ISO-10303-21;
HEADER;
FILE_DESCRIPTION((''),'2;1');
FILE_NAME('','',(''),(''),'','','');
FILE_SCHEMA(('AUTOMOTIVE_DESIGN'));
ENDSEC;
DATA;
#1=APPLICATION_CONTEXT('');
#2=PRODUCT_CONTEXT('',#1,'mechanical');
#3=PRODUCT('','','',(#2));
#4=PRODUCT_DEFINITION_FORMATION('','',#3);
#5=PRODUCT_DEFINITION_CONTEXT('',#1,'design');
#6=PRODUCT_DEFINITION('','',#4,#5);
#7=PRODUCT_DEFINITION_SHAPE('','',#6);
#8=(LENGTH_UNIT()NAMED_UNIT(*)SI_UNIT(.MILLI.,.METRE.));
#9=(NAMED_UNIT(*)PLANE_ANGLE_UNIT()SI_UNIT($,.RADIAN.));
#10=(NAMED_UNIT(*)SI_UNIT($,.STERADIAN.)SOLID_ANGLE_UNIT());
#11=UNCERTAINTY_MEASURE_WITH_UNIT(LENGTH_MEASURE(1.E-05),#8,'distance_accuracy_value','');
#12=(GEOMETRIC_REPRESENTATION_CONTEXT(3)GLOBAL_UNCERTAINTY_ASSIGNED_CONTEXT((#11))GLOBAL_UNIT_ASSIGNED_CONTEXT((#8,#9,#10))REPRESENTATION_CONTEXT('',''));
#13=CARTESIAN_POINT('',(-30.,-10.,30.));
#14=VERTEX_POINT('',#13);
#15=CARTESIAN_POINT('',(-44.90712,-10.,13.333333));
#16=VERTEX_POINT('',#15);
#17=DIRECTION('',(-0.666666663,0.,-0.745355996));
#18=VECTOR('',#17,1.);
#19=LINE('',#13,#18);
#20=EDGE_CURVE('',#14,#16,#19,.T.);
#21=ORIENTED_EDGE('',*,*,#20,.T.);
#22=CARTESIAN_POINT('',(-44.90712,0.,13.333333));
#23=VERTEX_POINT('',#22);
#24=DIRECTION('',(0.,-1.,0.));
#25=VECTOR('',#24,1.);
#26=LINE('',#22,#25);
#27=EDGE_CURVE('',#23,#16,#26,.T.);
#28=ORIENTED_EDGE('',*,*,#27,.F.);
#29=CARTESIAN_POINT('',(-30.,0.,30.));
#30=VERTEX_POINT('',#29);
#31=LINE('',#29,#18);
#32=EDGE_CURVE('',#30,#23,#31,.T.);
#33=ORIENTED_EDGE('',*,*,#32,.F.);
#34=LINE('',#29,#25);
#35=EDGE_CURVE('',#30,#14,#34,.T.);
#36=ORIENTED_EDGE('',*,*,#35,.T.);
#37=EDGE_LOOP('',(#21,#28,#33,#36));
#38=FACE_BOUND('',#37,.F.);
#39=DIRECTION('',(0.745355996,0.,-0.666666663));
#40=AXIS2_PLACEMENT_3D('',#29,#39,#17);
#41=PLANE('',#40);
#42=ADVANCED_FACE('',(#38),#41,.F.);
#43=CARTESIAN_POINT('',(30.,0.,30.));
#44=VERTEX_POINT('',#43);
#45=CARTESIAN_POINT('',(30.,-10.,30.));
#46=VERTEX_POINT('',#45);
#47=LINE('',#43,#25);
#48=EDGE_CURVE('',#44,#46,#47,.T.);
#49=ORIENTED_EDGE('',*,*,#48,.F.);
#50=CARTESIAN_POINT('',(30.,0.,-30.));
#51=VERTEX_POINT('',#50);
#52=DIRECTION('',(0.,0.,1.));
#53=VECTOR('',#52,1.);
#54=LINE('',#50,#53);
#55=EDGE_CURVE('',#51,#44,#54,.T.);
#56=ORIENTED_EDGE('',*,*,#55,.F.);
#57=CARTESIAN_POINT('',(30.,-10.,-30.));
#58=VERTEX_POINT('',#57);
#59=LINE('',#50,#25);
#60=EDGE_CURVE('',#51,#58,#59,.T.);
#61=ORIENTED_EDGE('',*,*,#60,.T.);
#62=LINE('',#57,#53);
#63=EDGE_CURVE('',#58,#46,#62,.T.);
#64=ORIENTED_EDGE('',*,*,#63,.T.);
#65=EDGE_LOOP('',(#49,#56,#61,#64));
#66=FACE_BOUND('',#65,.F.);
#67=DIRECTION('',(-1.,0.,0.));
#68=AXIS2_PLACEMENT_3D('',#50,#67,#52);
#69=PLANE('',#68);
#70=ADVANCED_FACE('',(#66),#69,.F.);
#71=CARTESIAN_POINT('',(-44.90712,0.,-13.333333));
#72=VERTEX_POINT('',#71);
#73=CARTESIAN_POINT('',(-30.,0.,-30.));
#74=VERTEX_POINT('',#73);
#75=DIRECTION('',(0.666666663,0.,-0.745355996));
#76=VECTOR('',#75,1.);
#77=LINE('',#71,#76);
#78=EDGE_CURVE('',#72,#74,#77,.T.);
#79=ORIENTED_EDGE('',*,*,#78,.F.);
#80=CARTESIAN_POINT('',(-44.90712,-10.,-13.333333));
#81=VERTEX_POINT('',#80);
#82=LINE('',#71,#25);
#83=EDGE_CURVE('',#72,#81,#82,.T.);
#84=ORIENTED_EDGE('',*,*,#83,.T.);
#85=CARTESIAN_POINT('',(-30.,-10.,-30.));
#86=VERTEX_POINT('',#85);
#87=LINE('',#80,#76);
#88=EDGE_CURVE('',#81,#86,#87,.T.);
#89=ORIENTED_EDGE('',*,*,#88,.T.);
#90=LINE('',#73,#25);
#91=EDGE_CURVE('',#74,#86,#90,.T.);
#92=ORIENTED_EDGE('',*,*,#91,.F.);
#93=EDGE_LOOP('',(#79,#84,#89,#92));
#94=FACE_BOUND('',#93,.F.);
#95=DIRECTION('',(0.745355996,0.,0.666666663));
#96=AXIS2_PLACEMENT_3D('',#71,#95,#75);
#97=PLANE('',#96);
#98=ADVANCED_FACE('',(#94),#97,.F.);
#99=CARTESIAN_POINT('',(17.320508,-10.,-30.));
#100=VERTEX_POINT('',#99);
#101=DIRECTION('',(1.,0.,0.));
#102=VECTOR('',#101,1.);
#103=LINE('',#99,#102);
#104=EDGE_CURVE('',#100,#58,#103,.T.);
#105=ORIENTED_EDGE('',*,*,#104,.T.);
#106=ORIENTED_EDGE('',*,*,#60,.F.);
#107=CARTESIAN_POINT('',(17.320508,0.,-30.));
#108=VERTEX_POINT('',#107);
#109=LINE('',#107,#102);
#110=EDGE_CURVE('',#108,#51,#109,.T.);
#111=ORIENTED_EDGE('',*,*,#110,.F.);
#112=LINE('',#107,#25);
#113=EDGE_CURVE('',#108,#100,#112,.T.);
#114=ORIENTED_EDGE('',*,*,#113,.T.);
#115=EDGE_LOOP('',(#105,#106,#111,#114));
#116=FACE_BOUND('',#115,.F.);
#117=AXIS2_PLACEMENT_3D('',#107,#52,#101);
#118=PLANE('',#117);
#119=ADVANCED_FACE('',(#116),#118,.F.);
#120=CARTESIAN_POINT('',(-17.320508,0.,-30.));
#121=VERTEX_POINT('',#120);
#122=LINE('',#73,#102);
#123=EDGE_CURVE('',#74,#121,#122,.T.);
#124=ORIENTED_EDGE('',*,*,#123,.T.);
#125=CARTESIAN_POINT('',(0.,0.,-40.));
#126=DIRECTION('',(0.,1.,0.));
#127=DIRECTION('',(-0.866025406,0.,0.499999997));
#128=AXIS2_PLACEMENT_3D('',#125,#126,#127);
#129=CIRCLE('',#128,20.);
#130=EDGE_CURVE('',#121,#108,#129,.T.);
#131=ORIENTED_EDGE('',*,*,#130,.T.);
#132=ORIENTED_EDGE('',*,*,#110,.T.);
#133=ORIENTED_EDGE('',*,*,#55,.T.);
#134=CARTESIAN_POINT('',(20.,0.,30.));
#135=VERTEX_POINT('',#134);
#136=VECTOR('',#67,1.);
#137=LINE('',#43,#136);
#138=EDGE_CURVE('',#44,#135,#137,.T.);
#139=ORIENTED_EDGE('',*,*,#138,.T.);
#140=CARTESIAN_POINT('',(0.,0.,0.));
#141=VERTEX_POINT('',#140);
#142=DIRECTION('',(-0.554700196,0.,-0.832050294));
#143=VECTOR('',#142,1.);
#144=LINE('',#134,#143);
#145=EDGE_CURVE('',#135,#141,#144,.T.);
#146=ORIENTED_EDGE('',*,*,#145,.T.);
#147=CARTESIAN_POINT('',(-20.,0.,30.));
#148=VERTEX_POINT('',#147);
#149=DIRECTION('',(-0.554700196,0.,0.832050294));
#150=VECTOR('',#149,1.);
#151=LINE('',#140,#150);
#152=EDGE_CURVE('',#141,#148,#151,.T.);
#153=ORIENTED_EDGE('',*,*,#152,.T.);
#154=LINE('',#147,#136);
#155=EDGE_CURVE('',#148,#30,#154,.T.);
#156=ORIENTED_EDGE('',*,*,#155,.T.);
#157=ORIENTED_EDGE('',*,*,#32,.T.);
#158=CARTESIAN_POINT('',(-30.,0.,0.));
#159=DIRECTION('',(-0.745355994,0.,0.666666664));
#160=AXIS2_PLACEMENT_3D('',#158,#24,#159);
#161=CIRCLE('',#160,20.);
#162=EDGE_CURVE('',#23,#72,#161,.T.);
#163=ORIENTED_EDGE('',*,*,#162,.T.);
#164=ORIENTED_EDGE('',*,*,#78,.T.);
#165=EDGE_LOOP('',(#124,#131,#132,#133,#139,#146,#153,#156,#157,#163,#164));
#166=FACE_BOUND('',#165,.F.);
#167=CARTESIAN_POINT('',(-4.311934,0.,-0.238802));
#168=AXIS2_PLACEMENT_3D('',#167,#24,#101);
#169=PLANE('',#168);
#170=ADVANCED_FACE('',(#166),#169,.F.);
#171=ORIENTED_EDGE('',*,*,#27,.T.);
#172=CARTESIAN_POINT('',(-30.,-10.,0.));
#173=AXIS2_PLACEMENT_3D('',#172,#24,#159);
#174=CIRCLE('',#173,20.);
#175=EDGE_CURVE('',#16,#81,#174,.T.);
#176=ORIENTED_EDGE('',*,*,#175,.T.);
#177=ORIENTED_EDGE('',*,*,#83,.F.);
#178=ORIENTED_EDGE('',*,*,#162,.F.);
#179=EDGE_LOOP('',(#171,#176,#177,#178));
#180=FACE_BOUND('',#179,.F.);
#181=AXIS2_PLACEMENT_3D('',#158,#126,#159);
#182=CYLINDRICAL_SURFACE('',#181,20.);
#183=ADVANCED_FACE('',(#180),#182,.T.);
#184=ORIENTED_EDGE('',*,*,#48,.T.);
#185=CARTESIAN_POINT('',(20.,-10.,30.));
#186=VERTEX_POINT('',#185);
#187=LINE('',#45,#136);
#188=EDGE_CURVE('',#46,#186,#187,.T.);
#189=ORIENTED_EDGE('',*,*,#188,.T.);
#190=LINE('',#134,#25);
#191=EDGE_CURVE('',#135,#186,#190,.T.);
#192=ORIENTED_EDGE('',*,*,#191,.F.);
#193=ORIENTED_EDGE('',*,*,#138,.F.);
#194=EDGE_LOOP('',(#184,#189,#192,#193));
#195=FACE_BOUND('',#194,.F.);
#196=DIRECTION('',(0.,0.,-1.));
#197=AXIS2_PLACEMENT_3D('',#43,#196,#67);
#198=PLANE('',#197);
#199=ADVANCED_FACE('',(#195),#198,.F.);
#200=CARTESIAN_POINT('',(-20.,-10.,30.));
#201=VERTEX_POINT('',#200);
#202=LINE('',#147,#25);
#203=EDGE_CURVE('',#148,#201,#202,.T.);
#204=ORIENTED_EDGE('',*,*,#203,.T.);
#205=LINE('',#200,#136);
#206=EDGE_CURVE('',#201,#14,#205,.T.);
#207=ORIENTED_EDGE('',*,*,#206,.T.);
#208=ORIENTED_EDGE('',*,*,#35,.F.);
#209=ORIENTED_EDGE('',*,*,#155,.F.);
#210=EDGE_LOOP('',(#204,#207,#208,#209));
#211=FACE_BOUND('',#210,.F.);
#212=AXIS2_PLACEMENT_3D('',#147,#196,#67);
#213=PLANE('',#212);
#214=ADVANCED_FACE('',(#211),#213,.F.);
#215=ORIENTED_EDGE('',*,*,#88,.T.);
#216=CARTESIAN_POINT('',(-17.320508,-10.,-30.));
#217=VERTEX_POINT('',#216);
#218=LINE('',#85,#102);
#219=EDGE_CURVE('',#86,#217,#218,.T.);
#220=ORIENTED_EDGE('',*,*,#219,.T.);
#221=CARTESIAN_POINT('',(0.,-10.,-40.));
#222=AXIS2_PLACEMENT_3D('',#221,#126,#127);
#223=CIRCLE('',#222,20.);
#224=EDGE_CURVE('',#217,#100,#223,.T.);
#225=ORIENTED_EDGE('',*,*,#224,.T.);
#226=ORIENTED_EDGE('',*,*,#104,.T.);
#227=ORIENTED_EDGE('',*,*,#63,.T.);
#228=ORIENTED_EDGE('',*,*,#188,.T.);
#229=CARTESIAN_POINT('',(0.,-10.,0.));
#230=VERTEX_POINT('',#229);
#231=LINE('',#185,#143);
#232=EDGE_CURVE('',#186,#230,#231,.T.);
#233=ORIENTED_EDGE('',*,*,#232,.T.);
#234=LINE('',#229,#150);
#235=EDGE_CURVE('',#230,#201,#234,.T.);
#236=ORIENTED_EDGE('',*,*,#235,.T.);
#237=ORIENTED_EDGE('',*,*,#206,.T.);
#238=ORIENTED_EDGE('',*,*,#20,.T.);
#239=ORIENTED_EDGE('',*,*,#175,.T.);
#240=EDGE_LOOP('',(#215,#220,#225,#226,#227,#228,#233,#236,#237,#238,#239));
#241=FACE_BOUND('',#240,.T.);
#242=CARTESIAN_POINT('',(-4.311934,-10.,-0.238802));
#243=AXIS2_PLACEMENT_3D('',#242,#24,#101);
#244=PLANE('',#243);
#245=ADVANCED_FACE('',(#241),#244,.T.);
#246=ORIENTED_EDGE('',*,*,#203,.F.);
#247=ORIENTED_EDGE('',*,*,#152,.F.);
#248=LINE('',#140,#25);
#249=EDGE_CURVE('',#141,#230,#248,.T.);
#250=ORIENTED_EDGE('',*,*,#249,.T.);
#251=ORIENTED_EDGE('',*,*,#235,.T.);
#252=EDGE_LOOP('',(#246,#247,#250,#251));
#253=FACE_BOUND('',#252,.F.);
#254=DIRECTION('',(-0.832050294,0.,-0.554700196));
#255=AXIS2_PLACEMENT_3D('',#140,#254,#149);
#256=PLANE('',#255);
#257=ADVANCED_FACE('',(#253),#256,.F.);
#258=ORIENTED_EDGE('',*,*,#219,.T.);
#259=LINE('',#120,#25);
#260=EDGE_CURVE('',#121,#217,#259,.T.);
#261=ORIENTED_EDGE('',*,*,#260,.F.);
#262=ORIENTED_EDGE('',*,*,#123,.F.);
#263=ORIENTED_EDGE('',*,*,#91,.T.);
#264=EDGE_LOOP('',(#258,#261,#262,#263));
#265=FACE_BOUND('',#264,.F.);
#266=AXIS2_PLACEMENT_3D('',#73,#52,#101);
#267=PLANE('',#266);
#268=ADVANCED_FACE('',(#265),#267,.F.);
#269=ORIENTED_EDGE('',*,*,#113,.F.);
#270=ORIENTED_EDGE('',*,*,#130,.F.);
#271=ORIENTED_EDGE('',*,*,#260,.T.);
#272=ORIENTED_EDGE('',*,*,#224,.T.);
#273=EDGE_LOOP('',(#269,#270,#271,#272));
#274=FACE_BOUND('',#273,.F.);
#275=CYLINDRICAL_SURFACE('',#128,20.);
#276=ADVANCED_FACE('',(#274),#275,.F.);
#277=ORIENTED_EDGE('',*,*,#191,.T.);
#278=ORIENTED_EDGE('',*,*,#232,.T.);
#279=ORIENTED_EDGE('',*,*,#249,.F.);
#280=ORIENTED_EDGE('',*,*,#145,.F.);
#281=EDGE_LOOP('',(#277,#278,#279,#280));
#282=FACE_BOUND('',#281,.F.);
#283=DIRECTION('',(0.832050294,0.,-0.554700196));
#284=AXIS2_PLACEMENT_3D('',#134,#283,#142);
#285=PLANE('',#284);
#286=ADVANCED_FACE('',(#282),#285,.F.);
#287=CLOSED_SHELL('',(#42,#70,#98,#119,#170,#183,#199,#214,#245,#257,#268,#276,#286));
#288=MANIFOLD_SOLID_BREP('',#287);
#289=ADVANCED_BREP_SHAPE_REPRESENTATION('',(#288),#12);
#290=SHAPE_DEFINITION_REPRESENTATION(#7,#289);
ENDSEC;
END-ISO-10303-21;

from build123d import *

# Parameters (mm, degrees)
F1_DEPTH = 10


with BuildPart() as f1:
    # F0 (on Front) → F1 (new body)
    with BuildSketch(Plane.XZ):
        with BuildLine():
            Line((30, -30), (30, 30))
            Line((30, 30), (20, 30))
            Line((20, 30), (0, 0))
            Line((0, 0), (-20, 30))
            Line((-20, 30), (-30, 30))
            Line((-30, 30), (-44.90712, 13.333333))
            ThreePointArc((-44.90712, 13.333333), (-50, 0), (-44.90712, -13.333333))
            Line((-44.90712, -13.333333), (-30, -30))
            Line((-30, -30), (-17.320508, -30))
            ThreePointArc((-17.320508, -30), (0, -20), (17.320508, -30))
            Line((17.320508, -30), (30, -30))
        make_face()
    extrude(amount=F1_DEPTH)


solid = f1.part
